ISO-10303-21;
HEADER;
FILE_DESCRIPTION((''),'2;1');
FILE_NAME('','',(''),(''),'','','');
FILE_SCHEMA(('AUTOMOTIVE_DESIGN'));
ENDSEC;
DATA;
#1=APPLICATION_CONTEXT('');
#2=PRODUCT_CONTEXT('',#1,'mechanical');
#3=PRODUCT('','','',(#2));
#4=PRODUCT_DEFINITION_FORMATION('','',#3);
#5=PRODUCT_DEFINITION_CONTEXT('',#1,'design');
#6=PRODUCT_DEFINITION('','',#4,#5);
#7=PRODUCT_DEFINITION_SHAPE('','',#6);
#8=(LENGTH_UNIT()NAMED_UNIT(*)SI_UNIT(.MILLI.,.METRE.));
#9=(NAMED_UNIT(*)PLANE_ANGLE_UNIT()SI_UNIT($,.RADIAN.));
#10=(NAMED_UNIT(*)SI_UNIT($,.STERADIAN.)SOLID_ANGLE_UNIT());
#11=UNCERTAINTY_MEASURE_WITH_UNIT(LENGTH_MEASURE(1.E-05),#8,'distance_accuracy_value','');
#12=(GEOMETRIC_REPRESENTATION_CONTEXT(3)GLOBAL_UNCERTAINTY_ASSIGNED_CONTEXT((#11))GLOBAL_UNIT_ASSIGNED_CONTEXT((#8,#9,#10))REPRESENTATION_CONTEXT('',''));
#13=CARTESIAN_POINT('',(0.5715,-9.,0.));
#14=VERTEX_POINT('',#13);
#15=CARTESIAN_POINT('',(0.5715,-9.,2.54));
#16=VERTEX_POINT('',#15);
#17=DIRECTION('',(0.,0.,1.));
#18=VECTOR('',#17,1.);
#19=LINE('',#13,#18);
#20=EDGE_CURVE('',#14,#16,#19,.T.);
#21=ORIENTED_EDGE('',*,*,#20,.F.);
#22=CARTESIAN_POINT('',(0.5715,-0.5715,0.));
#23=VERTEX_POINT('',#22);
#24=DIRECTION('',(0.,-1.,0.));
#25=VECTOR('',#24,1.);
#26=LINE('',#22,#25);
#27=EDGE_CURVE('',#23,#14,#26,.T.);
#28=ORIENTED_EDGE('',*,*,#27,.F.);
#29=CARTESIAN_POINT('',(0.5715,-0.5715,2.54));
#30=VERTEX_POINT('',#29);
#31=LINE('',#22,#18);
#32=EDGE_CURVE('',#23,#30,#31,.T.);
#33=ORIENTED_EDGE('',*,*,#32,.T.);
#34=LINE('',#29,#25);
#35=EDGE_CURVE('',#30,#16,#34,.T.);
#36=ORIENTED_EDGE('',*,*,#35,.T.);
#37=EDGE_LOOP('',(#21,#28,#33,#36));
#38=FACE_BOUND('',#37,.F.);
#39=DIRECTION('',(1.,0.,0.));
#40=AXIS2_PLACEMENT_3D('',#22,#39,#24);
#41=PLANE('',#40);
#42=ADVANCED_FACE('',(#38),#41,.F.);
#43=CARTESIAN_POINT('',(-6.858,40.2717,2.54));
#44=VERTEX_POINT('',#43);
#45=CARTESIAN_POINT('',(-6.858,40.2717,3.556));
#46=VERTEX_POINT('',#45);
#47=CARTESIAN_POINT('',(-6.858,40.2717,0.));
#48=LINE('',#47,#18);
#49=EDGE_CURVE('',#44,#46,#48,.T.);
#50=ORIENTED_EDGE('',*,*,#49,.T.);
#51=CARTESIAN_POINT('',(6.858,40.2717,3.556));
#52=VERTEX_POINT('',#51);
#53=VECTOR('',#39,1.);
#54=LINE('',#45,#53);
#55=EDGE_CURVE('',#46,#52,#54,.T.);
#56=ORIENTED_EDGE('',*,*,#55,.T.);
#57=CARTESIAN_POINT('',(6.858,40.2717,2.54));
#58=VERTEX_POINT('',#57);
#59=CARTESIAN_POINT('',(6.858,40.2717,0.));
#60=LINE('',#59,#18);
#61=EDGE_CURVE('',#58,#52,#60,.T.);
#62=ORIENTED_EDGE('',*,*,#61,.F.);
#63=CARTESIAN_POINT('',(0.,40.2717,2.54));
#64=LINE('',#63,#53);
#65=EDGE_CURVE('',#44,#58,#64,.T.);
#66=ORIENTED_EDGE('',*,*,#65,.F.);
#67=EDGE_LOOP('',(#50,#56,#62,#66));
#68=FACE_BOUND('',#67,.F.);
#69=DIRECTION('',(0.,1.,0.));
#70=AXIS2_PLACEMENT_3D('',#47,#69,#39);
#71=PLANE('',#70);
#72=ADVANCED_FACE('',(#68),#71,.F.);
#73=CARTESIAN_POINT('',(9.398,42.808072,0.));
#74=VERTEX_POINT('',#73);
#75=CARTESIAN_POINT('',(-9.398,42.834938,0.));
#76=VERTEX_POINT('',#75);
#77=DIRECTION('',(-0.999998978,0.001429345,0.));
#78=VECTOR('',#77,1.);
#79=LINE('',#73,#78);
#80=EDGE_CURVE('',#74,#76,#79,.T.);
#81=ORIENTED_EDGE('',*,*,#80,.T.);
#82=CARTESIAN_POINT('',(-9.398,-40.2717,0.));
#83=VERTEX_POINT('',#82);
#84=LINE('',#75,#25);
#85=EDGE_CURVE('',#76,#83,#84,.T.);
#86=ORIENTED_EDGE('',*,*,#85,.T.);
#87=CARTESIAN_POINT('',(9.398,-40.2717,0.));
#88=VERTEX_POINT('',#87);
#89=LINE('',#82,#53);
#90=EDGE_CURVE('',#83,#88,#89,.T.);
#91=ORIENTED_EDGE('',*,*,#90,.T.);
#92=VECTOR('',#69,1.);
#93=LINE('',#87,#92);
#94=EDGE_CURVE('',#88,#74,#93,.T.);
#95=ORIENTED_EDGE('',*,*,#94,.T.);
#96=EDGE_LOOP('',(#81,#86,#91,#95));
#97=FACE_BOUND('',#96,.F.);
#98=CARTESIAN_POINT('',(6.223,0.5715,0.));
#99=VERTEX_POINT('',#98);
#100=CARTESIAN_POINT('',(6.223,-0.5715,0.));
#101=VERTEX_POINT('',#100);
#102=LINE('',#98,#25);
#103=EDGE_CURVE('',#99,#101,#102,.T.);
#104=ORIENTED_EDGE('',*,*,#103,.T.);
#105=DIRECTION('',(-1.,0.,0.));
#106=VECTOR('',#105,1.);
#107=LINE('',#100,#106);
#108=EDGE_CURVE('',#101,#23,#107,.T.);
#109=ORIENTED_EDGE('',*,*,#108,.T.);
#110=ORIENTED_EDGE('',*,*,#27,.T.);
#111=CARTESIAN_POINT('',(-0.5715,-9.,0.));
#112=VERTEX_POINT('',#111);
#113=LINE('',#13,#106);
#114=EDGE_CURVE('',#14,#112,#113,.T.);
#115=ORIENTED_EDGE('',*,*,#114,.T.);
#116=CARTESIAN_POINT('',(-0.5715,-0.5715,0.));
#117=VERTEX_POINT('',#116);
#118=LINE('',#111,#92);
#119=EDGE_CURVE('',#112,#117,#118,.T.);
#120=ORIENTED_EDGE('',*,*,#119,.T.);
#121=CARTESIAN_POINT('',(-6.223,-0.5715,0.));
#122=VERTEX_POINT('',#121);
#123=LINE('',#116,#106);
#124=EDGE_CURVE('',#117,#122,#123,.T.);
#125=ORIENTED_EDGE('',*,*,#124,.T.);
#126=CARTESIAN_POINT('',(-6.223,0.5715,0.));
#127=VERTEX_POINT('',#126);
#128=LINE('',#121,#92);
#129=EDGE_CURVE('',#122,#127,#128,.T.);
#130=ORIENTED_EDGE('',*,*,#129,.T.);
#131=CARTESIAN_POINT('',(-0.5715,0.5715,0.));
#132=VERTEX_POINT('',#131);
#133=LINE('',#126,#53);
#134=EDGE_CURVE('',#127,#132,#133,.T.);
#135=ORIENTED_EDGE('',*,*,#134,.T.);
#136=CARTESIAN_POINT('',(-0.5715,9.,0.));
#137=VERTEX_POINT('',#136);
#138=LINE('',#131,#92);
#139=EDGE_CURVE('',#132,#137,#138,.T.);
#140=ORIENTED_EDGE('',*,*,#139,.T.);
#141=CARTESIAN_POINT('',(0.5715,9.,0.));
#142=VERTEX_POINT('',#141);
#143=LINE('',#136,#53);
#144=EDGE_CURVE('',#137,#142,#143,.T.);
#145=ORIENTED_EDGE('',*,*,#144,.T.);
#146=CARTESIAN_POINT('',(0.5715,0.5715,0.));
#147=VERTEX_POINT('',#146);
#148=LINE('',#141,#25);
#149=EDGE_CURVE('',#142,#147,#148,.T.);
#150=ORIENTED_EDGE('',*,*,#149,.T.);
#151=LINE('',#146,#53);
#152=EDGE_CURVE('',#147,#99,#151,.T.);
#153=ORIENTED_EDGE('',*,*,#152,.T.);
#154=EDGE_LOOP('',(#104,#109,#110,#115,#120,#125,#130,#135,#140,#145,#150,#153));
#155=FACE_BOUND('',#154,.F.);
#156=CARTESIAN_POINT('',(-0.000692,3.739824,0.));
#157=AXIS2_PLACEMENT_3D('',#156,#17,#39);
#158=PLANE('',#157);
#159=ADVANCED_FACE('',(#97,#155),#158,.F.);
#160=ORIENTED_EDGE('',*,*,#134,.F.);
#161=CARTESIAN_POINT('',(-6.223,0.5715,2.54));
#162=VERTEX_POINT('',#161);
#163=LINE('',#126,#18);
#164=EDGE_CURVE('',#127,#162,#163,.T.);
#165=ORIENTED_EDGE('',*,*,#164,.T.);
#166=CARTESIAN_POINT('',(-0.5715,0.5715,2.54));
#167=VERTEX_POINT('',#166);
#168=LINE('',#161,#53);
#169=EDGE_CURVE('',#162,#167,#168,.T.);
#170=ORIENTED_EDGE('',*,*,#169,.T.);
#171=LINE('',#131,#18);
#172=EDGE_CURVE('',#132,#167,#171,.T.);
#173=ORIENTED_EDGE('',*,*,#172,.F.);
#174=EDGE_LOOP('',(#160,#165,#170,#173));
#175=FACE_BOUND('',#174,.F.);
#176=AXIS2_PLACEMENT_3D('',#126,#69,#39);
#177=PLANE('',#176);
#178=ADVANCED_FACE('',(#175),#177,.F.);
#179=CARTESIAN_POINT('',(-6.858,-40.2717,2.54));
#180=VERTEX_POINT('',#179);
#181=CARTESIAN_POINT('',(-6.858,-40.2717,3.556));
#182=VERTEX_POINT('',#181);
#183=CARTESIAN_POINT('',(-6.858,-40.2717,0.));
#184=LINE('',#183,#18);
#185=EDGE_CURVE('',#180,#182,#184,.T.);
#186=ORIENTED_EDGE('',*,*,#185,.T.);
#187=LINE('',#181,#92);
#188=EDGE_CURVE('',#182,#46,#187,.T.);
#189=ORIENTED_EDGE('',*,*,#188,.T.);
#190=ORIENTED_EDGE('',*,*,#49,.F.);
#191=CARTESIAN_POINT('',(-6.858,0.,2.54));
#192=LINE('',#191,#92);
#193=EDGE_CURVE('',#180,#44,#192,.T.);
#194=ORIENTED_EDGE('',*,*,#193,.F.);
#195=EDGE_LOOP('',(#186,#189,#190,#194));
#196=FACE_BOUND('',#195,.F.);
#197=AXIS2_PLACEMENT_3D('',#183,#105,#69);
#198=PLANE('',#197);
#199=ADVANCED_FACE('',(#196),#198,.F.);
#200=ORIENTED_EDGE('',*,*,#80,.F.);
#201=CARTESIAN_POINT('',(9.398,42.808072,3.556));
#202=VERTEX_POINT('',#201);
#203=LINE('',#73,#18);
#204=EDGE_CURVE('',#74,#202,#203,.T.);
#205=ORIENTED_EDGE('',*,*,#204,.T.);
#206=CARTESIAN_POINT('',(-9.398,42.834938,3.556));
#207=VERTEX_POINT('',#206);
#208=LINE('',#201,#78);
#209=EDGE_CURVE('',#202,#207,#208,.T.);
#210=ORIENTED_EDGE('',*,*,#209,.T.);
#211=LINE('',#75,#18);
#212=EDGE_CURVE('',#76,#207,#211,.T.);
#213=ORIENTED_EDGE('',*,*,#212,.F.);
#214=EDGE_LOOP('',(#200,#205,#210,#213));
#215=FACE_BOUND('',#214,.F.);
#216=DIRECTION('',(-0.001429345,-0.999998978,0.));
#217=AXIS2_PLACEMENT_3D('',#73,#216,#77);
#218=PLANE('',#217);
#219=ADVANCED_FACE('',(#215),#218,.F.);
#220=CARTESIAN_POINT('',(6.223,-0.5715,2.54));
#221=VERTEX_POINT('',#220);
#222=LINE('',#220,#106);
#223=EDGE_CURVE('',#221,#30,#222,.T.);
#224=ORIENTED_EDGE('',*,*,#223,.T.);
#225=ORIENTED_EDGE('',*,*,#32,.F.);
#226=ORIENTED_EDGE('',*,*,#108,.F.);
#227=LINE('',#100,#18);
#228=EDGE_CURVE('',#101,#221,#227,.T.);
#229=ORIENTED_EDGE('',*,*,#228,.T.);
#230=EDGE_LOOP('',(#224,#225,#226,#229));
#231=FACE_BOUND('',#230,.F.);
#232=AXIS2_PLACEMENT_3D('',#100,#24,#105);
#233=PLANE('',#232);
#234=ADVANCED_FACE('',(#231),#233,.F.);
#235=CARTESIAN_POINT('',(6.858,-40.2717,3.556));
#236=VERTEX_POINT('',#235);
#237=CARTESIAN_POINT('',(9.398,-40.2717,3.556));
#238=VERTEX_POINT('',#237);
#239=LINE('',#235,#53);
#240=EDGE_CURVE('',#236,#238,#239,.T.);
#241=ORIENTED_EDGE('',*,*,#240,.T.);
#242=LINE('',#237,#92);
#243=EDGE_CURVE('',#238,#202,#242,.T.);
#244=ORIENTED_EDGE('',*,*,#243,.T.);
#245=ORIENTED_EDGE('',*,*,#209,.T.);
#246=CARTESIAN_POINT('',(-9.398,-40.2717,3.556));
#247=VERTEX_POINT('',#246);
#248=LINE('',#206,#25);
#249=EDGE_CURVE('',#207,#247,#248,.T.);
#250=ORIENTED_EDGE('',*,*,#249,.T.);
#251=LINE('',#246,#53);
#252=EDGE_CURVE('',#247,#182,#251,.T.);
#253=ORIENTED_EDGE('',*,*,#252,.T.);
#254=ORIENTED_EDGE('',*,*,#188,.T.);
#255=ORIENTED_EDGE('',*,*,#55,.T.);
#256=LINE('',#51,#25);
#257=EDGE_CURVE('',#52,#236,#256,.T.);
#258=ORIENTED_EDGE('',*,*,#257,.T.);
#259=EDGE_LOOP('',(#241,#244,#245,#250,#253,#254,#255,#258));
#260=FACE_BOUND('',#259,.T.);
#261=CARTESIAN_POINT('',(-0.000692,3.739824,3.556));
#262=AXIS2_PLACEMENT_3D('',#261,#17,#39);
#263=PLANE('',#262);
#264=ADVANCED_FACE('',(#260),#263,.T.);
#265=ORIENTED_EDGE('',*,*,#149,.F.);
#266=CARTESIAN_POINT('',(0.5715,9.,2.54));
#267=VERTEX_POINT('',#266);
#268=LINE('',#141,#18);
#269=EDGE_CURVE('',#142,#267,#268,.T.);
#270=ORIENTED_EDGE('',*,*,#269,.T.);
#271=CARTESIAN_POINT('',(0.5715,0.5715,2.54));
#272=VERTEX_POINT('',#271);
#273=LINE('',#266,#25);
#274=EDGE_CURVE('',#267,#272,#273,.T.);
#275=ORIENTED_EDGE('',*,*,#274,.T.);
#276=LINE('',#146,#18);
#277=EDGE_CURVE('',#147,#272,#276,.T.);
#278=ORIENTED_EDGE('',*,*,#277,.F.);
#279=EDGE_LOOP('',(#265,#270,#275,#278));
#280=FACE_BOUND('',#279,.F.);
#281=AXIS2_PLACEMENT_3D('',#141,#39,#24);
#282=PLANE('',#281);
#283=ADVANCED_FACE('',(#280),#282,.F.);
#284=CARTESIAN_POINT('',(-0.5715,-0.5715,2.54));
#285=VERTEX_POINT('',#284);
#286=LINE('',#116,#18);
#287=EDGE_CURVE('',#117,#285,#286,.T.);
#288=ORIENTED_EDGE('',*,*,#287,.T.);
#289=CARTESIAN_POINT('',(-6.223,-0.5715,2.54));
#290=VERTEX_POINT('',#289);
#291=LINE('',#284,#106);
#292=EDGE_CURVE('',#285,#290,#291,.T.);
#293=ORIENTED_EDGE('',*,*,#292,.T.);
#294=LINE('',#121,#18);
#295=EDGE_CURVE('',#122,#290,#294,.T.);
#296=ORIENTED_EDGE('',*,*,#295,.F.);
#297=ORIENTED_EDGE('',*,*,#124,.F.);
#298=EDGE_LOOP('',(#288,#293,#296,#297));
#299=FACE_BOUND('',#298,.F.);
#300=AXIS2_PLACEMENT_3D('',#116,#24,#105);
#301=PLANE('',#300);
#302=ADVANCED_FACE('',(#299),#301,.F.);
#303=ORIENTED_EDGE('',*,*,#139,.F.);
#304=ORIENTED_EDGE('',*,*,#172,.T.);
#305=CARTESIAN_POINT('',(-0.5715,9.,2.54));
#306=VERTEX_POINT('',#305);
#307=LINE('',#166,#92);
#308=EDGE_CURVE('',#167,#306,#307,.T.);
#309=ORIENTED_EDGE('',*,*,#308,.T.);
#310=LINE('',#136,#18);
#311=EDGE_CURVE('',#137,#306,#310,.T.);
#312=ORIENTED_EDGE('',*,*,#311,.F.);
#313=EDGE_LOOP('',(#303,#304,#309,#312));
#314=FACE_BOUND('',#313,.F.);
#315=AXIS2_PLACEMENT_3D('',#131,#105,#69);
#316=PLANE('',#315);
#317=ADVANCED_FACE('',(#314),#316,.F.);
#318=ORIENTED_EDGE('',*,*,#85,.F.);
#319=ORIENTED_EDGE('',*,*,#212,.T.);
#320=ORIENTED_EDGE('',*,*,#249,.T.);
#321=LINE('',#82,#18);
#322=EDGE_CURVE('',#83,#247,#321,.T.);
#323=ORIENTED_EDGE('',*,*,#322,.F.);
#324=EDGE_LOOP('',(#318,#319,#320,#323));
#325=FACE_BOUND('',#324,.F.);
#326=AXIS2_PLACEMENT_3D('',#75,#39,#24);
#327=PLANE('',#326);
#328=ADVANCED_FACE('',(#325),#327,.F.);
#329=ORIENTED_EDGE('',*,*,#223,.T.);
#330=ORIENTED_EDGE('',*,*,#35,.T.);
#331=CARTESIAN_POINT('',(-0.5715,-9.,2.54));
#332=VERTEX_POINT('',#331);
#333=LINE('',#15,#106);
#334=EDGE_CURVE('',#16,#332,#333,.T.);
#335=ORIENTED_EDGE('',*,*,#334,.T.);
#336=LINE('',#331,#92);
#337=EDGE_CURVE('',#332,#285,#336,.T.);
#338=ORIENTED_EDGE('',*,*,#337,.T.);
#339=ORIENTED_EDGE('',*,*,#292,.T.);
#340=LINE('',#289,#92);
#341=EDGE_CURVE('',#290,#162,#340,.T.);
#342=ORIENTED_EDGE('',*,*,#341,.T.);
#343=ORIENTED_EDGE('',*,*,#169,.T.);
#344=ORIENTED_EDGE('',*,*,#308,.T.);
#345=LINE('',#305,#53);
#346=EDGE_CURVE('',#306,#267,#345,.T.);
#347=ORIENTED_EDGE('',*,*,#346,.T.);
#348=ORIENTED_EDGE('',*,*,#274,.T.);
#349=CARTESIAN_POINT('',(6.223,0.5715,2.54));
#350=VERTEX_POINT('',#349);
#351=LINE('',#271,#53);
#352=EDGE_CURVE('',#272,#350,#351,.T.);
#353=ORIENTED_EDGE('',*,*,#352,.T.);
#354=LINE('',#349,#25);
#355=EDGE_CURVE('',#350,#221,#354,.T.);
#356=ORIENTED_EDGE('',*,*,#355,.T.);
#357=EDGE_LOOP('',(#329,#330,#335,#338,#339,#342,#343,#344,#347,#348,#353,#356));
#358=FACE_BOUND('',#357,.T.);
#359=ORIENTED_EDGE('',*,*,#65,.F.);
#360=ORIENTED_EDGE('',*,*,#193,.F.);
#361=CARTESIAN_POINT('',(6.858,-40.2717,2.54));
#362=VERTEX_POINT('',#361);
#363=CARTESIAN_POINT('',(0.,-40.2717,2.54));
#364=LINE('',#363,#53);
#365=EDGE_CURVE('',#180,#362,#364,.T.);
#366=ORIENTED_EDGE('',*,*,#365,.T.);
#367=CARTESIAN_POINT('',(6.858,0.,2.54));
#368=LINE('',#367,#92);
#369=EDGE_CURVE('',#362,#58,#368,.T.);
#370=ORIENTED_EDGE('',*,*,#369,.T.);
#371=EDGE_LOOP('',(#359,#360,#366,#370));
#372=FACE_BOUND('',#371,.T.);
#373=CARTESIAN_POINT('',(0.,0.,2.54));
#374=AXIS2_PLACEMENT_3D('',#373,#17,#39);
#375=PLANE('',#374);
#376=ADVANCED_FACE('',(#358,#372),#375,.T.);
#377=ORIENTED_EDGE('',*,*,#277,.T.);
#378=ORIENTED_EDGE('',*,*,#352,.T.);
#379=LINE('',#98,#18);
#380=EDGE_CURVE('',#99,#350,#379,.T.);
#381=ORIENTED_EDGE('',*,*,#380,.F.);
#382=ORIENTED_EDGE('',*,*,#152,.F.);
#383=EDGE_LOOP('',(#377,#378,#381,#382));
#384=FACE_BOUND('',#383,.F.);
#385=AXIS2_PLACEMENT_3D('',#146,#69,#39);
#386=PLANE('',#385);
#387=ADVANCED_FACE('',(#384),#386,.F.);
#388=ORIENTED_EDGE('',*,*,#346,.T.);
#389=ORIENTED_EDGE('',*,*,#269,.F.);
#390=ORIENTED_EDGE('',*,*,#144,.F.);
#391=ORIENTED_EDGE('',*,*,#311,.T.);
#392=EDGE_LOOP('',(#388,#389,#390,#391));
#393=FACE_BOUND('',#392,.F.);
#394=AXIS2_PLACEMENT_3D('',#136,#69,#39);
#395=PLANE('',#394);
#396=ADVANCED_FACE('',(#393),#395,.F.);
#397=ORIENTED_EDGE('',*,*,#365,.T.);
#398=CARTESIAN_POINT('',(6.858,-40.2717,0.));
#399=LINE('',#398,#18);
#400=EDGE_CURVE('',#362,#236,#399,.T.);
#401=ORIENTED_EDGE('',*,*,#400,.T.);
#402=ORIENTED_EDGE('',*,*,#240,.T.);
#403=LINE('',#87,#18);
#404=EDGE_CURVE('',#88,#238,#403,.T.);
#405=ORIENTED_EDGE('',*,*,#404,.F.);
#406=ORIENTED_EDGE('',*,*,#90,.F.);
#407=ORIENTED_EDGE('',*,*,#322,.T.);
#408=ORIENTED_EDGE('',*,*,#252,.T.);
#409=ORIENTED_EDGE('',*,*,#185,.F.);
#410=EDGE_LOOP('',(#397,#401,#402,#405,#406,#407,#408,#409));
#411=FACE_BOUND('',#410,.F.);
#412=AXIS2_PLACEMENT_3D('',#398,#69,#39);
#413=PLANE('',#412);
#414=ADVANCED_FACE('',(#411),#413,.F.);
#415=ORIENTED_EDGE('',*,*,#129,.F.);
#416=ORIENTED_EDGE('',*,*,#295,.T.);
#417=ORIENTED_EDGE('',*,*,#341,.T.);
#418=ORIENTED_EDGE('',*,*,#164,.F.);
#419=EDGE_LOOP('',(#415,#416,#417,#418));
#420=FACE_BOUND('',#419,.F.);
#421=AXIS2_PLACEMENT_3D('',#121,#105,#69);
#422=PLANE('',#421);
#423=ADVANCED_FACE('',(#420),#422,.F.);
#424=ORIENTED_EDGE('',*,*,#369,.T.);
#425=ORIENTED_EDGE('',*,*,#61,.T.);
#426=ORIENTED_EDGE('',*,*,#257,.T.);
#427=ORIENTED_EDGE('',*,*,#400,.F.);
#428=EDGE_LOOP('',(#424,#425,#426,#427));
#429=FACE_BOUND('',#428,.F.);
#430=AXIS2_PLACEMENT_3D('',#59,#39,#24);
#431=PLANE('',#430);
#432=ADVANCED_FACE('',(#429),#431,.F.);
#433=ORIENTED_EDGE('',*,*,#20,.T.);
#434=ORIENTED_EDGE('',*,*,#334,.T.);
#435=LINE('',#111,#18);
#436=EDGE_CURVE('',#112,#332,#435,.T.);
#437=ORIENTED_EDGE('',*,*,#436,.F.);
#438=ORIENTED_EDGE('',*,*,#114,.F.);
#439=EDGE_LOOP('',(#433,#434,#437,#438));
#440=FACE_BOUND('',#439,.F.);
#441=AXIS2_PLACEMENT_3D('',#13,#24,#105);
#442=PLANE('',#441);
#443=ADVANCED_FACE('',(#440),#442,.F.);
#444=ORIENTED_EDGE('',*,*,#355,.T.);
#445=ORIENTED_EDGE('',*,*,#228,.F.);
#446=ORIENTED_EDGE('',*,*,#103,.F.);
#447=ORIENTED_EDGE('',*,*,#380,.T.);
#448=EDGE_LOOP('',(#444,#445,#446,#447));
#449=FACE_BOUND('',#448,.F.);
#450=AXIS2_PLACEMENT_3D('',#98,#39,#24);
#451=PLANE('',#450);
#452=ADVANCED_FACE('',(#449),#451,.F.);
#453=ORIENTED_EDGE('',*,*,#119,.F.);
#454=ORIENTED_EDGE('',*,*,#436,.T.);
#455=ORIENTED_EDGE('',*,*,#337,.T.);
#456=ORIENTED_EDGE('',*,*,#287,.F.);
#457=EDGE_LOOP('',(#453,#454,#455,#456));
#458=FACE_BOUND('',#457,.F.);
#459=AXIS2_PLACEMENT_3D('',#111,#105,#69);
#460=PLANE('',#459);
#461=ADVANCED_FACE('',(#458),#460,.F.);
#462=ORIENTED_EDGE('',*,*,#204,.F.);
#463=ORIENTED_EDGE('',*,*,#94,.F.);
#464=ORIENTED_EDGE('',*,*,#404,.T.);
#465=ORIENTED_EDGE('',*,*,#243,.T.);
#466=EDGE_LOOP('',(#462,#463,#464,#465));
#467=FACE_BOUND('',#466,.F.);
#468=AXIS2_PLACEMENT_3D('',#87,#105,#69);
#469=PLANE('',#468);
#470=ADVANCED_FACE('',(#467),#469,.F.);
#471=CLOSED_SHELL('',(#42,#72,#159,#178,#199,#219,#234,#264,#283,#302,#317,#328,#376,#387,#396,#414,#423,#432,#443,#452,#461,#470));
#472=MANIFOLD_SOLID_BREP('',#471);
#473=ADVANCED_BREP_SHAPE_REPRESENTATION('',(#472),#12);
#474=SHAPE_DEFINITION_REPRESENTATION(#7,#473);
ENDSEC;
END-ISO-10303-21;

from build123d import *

# Parameters (mm, degrees)
F0_W     = 13.716
F0_H     = 80.5434
F1_DEPTH = 2.54
F2_DEPTH = 3.556


with BuildPart() as f1:
    # F0 (on Top) → F1 (new body)
    with BuildSketch(Plane.XY):
        Rectangle(F0_W, F0_H)
        Polygon((-0.5715, 9), (0.5715, 9), (0.5715, 0.5715), (6.223, 0.5715), (6.223, -0.5715), (0.5715, -0.5715), (0.5715, -9), (-0.5715, -9), (-0.5715, -0.5715), (-6.223, -0.5715), (-6.223, 0.5715), (-0.5715, 0.5715), align=None, mode=Mode.SUBTRACT)
    extrude(amount=F1_DEPTH)

    # F0 (on Top) → F2 (join)
    with BuildSketch(Plane.XY):
        Polygon((6.858, 40.2717), (6.858, -40.2717), (9.398, -40.2717), (9.398, 42.808072), (-9.398, 42.834938), (-9.398, -40.2717), (-6.858, -40.2717), (-6.858, 40.2717), align=None)
    extrude(amount=F2_DEPTH)


solid = f1.part
